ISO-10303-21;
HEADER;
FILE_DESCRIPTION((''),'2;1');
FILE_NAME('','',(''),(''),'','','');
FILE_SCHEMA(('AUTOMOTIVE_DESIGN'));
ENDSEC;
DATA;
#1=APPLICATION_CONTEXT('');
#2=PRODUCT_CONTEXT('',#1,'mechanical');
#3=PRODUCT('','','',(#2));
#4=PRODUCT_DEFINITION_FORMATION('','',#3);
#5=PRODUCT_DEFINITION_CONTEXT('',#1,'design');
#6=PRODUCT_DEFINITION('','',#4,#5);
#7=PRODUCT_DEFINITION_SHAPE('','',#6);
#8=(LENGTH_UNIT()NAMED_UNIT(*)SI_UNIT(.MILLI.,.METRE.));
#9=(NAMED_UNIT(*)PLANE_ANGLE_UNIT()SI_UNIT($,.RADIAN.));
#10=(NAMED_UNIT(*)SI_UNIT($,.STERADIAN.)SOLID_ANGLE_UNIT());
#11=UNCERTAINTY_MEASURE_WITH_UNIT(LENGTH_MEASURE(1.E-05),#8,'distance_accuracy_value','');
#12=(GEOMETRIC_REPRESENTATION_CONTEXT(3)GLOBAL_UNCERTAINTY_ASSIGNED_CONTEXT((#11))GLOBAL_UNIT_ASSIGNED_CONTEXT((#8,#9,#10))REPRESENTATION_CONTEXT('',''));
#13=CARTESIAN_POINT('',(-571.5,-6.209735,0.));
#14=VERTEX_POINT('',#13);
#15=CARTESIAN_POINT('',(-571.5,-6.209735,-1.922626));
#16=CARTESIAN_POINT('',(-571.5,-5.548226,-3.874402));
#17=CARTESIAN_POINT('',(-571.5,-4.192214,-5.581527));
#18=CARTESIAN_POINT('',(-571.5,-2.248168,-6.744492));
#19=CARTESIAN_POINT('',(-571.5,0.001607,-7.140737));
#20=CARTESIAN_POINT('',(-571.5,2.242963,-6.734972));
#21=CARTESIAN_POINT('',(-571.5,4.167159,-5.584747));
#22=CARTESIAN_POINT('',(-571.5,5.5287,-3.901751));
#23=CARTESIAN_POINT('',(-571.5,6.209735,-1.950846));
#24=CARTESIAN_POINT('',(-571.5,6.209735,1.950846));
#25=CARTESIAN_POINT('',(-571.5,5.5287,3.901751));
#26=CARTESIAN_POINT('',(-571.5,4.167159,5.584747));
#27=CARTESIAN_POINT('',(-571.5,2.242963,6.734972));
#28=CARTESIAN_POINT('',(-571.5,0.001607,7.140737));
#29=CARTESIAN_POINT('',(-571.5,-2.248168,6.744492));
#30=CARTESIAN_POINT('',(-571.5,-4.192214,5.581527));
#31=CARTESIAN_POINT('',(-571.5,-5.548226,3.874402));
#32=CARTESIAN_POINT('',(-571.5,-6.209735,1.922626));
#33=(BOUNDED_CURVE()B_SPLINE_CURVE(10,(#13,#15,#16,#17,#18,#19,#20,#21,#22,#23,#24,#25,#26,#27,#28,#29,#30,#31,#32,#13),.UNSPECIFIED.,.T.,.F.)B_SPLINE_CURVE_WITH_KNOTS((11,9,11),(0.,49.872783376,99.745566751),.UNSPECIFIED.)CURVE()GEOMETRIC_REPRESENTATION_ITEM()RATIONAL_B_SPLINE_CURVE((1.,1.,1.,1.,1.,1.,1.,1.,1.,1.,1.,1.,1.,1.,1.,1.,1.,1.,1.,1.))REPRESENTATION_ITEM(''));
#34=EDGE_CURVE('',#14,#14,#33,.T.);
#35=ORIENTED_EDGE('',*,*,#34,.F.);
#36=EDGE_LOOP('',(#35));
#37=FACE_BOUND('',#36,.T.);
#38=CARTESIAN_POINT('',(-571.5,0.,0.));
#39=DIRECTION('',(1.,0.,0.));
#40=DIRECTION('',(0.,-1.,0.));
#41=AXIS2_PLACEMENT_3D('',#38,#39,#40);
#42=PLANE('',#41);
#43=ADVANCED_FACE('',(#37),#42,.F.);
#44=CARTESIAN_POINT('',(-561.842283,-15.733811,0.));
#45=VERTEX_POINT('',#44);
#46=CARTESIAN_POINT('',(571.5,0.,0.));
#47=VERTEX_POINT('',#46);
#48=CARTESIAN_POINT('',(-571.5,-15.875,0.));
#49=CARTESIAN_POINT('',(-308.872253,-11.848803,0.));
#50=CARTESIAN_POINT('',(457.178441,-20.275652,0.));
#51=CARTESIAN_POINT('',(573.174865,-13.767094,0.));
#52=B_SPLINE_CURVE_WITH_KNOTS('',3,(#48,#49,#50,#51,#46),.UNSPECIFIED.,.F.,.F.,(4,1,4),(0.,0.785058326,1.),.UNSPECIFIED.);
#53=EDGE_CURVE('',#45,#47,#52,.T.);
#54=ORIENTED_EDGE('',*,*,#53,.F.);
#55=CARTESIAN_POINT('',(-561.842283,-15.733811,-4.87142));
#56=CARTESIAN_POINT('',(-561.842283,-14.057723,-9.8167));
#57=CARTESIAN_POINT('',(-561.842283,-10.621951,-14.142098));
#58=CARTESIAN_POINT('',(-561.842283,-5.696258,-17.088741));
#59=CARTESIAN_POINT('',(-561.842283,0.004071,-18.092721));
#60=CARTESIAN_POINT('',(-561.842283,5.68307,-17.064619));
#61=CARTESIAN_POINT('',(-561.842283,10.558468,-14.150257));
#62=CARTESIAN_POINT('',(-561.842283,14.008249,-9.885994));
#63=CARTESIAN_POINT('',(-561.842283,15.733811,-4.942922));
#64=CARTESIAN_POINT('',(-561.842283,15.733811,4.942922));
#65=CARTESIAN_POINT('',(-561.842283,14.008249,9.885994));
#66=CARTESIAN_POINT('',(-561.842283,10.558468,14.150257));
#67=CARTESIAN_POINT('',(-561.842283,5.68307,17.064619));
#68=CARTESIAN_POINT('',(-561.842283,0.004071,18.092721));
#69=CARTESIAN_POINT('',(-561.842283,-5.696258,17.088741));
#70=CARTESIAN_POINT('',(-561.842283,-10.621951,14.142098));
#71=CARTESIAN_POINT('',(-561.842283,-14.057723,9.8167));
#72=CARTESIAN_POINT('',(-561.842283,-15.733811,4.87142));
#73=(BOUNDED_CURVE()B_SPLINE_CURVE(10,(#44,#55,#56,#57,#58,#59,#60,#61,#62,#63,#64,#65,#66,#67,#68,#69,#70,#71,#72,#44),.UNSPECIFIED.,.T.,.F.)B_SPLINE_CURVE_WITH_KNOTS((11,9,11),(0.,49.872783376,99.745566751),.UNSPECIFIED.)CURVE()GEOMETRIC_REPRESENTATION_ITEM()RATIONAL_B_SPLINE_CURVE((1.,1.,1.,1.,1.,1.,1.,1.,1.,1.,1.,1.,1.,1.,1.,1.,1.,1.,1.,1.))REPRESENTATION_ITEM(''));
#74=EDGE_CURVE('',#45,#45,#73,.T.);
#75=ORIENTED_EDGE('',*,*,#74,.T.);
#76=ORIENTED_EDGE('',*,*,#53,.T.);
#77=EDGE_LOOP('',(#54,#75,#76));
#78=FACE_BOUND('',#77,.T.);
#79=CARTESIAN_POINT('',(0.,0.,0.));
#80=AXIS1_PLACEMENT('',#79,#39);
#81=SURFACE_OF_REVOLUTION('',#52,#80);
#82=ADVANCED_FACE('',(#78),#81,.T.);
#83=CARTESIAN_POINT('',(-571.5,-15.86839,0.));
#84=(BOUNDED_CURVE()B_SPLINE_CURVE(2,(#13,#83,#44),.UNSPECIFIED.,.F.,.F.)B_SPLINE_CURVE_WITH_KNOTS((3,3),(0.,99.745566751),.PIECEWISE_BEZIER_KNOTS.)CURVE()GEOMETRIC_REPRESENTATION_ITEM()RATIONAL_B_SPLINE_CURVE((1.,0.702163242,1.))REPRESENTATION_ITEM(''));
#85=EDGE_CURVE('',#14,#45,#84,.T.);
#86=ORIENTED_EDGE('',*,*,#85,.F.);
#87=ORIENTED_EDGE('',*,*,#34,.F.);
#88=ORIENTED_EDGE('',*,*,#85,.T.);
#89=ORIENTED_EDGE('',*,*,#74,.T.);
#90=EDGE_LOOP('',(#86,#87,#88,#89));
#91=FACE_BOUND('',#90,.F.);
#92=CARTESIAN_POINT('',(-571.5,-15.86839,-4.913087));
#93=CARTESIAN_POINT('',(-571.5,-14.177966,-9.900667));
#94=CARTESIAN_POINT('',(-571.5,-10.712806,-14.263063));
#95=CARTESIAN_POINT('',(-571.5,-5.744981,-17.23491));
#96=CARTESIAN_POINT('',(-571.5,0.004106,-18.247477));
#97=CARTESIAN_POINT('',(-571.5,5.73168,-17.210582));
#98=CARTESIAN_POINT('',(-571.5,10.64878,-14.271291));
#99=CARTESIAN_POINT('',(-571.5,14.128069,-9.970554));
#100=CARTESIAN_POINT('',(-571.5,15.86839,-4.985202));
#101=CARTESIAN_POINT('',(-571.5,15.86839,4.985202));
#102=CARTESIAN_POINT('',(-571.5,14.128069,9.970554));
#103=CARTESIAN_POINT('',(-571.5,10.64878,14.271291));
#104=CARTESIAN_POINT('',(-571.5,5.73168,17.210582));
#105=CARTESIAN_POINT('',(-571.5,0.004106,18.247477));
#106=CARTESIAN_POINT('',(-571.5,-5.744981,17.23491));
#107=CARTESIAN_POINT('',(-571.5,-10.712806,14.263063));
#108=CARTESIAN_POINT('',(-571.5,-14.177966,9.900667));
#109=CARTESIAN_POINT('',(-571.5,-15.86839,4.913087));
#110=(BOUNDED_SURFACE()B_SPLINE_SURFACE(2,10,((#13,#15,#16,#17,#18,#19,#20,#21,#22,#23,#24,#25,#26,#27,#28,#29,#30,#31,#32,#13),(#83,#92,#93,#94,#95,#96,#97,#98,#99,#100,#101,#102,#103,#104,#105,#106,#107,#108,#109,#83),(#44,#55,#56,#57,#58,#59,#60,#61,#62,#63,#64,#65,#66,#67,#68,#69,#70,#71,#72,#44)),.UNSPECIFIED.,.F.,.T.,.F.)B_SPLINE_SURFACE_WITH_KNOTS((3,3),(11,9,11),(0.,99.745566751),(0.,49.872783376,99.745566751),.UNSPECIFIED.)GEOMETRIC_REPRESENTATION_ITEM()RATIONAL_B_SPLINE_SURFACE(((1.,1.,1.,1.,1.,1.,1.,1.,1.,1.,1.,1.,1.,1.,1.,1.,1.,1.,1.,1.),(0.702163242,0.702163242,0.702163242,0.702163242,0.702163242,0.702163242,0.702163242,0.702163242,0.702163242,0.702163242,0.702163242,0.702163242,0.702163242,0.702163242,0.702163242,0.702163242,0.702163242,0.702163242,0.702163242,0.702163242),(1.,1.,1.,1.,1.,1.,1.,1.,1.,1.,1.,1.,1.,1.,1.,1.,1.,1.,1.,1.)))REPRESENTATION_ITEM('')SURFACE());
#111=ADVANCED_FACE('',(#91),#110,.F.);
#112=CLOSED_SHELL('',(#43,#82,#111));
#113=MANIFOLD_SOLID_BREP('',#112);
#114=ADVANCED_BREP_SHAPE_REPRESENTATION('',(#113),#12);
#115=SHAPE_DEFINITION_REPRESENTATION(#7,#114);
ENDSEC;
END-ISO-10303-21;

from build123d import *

# Parameters (mm, degrees)
F2_R = 9.525


with BuildPart() as f1:
    # F0 (on Top) → F1 (revolve)
    with BuildSketch(Plane.XY):
        with BuildLine():
            Line((571.5, 0), (-571.5, 0))
            Line((-571.5, 0), (-571.5, -15.875))
            add(Edge.make_bspline(
                [(-571.5, -15.875), (-308.8722527027, -11.8488026783), (457.1784405824, -20.2756521116), (573.1748653188, -13.7670938821), (571.5, 0)],
                knots=[0, 0, 0, 0, 0.7850583256, 1, 1, 1, 1], degree=3))
        make_face()
    revolve(axis=Axis((0, 0, 0), (1, 0, 0)))

    # F2
    f2_edges = [f1.edges().sort_by_distance(p)[0] for p in [
        (-571.5, 15.875, 0),
    ]]
    fillet(f2_edges, radius=F2_R)


solid = f1.part
